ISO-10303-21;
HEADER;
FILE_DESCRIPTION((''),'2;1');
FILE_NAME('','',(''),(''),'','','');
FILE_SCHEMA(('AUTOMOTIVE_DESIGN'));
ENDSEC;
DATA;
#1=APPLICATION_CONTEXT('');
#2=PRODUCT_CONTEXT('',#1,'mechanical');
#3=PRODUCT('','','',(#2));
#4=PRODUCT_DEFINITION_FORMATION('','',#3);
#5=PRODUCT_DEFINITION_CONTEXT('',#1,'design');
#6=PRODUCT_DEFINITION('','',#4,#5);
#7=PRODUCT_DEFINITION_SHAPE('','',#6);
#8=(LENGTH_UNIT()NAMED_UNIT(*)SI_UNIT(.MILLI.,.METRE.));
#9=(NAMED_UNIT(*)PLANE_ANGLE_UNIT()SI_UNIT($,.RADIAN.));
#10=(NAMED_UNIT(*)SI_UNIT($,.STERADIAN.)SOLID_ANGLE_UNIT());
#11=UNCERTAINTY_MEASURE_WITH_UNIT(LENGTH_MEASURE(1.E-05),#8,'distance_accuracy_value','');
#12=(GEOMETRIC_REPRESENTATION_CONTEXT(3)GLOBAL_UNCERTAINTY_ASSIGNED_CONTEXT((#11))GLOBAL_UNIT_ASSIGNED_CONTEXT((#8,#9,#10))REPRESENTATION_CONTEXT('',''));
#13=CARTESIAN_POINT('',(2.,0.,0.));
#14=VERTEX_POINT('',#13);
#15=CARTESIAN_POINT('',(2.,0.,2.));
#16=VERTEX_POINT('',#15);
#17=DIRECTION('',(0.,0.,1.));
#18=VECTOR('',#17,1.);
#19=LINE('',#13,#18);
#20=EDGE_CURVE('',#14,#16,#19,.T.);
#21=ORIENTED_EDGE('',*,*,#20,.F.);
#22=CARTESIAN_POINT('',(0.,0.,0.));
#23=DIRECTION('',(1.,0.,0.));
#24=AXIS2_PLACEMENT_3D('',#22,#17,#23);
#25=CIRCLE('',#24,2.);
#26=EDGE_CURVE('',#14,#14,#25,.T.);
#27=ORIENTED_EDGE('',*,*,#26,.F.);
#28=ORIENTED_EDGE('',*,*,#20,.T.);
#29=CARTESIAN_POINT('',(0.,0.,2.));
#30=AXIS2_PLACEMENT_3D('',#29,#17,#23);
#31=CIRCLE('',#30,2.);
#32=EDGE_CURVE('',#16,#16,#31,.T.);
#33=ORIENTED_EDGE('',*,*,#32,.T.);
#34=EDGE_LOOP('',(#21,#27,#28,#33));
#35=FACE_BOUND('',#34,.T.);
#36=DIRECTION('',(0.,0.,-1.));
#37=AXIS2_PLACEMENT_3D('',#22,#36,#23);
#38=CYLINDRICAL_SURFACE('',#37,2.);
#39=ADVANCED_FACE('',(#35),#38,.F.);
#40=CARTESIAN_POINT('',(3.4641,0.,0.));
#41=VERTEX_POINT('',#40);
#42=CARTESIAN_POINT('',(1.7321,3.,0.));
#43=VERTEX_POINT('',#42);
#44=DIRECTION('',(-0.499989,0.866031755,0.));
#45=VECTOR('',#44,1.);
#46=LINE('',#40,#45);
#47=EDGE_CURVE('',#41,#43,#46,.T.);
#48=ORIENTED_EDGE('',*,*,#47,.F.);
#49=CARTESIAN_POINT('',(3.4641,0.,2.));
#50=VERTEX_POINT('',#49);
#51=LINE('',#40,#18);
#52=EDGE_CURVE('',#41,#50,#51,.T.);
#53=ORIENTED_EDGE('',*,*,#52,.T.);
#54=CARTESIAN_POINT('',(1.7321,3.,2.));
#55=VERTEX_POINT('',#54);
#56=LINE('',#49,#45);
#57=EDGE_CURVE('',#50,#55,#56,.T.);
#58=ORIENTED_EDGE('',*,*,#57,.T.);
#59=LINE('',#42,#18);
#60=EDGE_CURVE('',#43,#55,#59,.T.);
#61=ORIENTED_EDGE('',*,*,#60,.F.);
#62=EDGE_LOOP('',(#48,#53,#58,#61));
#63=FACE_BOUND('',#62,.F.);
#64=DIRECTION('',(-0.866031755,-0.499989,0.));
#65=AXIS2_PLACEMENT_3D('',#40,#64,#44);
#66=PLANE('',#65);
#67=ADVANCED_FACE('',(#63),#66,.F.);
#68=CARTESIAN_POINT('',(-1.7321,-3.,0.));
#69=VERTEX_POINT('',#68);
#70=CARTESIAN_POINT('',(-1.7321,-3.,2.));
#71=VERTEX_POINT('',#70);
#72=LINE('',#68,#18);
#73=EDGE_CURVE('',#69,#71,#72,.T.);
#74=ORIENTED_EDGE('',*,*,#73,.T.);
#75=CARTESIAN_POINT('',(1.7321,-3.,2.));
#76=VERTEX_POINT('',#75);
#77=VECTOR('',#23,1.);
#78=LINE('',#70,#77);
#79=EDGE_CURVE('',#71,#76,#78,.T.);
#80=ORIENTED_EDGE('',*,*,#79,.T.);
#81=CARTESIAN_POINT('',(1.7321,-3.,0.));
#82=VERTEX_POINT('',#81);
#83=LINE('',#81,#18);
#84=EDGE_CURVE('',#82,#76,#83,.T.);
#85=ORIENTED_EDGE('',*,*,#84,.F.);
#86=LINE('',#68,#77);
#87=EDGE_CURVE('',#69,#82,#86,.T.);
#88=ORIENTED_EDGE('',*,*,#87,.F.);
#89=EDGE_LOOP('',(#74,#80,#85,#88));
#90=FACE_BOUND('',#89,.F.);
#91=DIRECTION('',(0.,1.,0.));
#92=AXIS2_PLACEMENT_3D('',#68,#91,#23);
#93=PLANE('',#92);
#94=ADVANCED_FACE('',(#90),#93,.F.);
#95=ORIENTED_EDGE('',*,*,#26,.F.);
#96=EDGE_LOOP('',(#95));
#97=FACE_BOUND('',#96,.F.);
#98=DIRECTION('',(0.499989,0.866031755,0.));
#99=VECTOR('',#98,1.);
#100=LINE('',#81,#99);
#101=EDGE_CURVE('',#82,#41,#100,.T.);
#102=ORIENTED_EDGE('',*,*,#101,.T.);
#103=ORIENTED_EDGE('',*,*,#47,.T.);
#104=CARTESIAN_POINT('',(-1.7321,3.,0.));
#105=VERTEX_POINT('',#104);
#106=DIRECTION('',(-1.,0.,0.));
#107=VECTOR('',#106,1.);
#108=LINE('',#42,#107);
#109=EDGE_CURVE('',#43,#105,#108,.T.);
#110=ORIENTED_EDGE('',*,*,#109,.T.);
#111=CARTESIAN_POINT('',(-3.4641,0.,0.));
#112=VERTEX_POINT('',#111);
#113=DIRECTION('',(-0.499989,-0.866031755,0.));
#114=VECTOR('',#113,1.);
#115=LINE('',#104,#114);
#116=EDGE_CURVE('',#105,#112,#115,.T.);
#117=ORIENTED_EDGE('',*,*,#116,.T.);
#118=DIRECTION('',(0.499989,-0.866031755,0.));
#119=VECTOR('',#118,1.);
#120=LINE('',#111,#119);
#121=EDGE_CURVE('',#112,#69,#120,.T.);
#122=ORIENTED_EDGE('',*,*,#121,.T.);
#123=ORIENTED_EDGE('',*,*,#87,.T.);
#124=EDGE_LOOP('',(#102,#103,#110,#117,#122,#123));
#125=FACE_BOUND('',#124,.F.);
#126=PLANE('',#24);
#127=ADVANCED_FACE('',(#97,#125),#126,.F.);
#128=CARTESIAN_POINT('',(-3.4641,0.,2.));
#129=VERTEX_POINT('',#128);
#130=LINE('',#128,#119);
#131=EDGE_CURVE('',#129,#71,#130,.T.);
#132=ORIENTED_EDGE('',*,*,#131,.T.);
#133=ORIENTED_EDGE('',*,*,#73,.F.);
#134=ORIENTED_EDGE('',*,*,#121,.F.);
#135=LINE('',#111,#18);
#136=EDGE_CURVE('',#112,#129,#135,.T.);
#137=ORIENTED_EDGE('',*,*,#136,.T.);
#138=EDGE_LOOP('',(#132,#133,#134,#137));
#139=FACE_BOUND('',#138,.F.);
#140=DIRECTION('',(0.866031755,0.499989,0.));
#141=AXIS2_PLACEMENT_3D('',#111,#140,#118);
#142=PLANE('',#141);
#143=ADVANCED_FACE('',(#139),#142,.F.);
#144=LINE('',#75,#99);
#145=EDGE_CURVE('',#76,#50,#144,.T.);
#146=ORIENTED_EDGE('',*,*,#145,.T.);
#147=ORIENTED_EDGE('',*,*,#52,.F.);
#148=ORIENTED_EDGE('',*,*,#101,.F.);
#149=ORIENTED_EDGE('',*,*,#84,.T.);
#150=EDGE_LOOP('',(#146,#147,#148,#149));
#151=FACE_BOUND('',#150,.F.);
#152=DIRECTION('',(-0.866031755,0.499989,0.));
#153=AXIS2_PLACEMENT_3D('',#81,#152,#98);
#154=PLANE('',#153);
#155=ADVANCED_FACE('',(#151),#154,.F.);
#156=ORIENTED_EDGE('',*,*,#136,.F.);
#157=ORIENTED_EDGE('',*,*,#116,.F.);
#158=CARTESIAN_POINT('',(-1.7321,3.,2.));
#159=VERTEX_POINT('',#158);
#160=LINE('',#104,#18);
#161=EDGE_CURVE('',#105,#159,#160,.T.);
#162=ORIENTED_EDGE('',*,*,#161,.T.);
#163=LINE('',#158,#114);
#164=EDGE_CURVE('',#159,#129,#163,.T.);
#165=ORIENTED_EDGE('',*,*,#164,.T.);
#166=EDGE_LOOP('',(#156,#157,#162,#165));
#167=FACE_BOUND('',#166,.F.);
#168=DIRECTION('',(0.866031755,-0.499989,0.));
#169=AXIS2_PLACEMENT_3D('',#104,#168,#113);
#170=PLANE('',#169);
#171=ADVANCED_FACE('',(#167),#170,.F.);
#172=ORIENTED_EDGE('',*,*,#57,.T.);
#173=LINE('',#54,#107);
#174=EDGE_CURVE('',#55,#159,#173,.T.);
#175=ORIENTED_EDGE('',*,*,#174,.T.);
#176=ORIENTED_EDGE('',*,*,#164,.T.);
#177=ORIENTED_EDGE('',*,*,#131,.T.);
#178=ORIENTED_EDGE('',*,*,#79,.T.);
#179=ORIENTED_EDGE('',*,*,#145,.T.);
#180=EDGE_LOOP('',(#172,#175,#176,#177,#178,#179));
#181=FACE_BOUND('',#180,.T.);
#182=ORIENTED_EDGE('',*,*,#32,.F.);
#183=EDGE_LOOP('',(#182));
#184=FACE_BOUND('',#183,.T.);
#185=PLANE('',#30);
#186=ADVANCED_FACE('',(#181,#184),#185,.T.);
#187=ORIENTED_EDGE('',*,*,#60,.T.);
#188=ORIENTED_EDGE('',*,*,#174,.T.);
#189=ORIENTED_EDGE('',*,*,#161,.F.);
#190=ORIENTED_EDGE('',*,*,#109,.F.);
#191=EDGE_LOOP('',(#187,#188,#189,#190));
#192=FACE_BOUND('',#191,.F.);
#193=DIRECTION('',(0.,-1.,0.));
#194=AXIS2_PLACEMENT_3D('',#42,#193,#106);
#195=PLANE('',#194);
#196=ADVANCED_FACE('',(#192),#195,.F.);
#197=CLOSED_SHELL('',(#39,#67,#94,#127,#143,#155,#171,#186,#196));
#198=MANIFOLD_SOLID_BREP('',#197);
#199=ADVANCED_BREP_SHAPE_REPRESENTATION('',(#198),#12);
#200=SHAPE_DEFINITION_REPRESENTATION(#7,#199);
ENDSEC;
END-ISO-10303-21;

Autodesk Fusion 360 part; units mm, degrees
sketch "Boceto1" plane through (0, 0, 0) normal (0, 0, 1) x (1, 0, 0)
  circle A0 centre (0, 0) radius 2
  line L0 (-1.7321, 3) -> (-3.4641, 0)
  line L1 (-3.4641, 0) -> (-1.7321, -3)
  line L2 (-1.7321, -3) -> (1.7321, -3)
  line L3 (1.7321, -3) -> (3.4641, 0)
  line L4 (3.4641, 0) -> (1.7321, 3)
  line L5 (1.7321, 3) -> (-1.7321, 3)
  dimension "d1" = 4
extrude "Extruir1" add sketch "Boceto1" along normal blind 2
